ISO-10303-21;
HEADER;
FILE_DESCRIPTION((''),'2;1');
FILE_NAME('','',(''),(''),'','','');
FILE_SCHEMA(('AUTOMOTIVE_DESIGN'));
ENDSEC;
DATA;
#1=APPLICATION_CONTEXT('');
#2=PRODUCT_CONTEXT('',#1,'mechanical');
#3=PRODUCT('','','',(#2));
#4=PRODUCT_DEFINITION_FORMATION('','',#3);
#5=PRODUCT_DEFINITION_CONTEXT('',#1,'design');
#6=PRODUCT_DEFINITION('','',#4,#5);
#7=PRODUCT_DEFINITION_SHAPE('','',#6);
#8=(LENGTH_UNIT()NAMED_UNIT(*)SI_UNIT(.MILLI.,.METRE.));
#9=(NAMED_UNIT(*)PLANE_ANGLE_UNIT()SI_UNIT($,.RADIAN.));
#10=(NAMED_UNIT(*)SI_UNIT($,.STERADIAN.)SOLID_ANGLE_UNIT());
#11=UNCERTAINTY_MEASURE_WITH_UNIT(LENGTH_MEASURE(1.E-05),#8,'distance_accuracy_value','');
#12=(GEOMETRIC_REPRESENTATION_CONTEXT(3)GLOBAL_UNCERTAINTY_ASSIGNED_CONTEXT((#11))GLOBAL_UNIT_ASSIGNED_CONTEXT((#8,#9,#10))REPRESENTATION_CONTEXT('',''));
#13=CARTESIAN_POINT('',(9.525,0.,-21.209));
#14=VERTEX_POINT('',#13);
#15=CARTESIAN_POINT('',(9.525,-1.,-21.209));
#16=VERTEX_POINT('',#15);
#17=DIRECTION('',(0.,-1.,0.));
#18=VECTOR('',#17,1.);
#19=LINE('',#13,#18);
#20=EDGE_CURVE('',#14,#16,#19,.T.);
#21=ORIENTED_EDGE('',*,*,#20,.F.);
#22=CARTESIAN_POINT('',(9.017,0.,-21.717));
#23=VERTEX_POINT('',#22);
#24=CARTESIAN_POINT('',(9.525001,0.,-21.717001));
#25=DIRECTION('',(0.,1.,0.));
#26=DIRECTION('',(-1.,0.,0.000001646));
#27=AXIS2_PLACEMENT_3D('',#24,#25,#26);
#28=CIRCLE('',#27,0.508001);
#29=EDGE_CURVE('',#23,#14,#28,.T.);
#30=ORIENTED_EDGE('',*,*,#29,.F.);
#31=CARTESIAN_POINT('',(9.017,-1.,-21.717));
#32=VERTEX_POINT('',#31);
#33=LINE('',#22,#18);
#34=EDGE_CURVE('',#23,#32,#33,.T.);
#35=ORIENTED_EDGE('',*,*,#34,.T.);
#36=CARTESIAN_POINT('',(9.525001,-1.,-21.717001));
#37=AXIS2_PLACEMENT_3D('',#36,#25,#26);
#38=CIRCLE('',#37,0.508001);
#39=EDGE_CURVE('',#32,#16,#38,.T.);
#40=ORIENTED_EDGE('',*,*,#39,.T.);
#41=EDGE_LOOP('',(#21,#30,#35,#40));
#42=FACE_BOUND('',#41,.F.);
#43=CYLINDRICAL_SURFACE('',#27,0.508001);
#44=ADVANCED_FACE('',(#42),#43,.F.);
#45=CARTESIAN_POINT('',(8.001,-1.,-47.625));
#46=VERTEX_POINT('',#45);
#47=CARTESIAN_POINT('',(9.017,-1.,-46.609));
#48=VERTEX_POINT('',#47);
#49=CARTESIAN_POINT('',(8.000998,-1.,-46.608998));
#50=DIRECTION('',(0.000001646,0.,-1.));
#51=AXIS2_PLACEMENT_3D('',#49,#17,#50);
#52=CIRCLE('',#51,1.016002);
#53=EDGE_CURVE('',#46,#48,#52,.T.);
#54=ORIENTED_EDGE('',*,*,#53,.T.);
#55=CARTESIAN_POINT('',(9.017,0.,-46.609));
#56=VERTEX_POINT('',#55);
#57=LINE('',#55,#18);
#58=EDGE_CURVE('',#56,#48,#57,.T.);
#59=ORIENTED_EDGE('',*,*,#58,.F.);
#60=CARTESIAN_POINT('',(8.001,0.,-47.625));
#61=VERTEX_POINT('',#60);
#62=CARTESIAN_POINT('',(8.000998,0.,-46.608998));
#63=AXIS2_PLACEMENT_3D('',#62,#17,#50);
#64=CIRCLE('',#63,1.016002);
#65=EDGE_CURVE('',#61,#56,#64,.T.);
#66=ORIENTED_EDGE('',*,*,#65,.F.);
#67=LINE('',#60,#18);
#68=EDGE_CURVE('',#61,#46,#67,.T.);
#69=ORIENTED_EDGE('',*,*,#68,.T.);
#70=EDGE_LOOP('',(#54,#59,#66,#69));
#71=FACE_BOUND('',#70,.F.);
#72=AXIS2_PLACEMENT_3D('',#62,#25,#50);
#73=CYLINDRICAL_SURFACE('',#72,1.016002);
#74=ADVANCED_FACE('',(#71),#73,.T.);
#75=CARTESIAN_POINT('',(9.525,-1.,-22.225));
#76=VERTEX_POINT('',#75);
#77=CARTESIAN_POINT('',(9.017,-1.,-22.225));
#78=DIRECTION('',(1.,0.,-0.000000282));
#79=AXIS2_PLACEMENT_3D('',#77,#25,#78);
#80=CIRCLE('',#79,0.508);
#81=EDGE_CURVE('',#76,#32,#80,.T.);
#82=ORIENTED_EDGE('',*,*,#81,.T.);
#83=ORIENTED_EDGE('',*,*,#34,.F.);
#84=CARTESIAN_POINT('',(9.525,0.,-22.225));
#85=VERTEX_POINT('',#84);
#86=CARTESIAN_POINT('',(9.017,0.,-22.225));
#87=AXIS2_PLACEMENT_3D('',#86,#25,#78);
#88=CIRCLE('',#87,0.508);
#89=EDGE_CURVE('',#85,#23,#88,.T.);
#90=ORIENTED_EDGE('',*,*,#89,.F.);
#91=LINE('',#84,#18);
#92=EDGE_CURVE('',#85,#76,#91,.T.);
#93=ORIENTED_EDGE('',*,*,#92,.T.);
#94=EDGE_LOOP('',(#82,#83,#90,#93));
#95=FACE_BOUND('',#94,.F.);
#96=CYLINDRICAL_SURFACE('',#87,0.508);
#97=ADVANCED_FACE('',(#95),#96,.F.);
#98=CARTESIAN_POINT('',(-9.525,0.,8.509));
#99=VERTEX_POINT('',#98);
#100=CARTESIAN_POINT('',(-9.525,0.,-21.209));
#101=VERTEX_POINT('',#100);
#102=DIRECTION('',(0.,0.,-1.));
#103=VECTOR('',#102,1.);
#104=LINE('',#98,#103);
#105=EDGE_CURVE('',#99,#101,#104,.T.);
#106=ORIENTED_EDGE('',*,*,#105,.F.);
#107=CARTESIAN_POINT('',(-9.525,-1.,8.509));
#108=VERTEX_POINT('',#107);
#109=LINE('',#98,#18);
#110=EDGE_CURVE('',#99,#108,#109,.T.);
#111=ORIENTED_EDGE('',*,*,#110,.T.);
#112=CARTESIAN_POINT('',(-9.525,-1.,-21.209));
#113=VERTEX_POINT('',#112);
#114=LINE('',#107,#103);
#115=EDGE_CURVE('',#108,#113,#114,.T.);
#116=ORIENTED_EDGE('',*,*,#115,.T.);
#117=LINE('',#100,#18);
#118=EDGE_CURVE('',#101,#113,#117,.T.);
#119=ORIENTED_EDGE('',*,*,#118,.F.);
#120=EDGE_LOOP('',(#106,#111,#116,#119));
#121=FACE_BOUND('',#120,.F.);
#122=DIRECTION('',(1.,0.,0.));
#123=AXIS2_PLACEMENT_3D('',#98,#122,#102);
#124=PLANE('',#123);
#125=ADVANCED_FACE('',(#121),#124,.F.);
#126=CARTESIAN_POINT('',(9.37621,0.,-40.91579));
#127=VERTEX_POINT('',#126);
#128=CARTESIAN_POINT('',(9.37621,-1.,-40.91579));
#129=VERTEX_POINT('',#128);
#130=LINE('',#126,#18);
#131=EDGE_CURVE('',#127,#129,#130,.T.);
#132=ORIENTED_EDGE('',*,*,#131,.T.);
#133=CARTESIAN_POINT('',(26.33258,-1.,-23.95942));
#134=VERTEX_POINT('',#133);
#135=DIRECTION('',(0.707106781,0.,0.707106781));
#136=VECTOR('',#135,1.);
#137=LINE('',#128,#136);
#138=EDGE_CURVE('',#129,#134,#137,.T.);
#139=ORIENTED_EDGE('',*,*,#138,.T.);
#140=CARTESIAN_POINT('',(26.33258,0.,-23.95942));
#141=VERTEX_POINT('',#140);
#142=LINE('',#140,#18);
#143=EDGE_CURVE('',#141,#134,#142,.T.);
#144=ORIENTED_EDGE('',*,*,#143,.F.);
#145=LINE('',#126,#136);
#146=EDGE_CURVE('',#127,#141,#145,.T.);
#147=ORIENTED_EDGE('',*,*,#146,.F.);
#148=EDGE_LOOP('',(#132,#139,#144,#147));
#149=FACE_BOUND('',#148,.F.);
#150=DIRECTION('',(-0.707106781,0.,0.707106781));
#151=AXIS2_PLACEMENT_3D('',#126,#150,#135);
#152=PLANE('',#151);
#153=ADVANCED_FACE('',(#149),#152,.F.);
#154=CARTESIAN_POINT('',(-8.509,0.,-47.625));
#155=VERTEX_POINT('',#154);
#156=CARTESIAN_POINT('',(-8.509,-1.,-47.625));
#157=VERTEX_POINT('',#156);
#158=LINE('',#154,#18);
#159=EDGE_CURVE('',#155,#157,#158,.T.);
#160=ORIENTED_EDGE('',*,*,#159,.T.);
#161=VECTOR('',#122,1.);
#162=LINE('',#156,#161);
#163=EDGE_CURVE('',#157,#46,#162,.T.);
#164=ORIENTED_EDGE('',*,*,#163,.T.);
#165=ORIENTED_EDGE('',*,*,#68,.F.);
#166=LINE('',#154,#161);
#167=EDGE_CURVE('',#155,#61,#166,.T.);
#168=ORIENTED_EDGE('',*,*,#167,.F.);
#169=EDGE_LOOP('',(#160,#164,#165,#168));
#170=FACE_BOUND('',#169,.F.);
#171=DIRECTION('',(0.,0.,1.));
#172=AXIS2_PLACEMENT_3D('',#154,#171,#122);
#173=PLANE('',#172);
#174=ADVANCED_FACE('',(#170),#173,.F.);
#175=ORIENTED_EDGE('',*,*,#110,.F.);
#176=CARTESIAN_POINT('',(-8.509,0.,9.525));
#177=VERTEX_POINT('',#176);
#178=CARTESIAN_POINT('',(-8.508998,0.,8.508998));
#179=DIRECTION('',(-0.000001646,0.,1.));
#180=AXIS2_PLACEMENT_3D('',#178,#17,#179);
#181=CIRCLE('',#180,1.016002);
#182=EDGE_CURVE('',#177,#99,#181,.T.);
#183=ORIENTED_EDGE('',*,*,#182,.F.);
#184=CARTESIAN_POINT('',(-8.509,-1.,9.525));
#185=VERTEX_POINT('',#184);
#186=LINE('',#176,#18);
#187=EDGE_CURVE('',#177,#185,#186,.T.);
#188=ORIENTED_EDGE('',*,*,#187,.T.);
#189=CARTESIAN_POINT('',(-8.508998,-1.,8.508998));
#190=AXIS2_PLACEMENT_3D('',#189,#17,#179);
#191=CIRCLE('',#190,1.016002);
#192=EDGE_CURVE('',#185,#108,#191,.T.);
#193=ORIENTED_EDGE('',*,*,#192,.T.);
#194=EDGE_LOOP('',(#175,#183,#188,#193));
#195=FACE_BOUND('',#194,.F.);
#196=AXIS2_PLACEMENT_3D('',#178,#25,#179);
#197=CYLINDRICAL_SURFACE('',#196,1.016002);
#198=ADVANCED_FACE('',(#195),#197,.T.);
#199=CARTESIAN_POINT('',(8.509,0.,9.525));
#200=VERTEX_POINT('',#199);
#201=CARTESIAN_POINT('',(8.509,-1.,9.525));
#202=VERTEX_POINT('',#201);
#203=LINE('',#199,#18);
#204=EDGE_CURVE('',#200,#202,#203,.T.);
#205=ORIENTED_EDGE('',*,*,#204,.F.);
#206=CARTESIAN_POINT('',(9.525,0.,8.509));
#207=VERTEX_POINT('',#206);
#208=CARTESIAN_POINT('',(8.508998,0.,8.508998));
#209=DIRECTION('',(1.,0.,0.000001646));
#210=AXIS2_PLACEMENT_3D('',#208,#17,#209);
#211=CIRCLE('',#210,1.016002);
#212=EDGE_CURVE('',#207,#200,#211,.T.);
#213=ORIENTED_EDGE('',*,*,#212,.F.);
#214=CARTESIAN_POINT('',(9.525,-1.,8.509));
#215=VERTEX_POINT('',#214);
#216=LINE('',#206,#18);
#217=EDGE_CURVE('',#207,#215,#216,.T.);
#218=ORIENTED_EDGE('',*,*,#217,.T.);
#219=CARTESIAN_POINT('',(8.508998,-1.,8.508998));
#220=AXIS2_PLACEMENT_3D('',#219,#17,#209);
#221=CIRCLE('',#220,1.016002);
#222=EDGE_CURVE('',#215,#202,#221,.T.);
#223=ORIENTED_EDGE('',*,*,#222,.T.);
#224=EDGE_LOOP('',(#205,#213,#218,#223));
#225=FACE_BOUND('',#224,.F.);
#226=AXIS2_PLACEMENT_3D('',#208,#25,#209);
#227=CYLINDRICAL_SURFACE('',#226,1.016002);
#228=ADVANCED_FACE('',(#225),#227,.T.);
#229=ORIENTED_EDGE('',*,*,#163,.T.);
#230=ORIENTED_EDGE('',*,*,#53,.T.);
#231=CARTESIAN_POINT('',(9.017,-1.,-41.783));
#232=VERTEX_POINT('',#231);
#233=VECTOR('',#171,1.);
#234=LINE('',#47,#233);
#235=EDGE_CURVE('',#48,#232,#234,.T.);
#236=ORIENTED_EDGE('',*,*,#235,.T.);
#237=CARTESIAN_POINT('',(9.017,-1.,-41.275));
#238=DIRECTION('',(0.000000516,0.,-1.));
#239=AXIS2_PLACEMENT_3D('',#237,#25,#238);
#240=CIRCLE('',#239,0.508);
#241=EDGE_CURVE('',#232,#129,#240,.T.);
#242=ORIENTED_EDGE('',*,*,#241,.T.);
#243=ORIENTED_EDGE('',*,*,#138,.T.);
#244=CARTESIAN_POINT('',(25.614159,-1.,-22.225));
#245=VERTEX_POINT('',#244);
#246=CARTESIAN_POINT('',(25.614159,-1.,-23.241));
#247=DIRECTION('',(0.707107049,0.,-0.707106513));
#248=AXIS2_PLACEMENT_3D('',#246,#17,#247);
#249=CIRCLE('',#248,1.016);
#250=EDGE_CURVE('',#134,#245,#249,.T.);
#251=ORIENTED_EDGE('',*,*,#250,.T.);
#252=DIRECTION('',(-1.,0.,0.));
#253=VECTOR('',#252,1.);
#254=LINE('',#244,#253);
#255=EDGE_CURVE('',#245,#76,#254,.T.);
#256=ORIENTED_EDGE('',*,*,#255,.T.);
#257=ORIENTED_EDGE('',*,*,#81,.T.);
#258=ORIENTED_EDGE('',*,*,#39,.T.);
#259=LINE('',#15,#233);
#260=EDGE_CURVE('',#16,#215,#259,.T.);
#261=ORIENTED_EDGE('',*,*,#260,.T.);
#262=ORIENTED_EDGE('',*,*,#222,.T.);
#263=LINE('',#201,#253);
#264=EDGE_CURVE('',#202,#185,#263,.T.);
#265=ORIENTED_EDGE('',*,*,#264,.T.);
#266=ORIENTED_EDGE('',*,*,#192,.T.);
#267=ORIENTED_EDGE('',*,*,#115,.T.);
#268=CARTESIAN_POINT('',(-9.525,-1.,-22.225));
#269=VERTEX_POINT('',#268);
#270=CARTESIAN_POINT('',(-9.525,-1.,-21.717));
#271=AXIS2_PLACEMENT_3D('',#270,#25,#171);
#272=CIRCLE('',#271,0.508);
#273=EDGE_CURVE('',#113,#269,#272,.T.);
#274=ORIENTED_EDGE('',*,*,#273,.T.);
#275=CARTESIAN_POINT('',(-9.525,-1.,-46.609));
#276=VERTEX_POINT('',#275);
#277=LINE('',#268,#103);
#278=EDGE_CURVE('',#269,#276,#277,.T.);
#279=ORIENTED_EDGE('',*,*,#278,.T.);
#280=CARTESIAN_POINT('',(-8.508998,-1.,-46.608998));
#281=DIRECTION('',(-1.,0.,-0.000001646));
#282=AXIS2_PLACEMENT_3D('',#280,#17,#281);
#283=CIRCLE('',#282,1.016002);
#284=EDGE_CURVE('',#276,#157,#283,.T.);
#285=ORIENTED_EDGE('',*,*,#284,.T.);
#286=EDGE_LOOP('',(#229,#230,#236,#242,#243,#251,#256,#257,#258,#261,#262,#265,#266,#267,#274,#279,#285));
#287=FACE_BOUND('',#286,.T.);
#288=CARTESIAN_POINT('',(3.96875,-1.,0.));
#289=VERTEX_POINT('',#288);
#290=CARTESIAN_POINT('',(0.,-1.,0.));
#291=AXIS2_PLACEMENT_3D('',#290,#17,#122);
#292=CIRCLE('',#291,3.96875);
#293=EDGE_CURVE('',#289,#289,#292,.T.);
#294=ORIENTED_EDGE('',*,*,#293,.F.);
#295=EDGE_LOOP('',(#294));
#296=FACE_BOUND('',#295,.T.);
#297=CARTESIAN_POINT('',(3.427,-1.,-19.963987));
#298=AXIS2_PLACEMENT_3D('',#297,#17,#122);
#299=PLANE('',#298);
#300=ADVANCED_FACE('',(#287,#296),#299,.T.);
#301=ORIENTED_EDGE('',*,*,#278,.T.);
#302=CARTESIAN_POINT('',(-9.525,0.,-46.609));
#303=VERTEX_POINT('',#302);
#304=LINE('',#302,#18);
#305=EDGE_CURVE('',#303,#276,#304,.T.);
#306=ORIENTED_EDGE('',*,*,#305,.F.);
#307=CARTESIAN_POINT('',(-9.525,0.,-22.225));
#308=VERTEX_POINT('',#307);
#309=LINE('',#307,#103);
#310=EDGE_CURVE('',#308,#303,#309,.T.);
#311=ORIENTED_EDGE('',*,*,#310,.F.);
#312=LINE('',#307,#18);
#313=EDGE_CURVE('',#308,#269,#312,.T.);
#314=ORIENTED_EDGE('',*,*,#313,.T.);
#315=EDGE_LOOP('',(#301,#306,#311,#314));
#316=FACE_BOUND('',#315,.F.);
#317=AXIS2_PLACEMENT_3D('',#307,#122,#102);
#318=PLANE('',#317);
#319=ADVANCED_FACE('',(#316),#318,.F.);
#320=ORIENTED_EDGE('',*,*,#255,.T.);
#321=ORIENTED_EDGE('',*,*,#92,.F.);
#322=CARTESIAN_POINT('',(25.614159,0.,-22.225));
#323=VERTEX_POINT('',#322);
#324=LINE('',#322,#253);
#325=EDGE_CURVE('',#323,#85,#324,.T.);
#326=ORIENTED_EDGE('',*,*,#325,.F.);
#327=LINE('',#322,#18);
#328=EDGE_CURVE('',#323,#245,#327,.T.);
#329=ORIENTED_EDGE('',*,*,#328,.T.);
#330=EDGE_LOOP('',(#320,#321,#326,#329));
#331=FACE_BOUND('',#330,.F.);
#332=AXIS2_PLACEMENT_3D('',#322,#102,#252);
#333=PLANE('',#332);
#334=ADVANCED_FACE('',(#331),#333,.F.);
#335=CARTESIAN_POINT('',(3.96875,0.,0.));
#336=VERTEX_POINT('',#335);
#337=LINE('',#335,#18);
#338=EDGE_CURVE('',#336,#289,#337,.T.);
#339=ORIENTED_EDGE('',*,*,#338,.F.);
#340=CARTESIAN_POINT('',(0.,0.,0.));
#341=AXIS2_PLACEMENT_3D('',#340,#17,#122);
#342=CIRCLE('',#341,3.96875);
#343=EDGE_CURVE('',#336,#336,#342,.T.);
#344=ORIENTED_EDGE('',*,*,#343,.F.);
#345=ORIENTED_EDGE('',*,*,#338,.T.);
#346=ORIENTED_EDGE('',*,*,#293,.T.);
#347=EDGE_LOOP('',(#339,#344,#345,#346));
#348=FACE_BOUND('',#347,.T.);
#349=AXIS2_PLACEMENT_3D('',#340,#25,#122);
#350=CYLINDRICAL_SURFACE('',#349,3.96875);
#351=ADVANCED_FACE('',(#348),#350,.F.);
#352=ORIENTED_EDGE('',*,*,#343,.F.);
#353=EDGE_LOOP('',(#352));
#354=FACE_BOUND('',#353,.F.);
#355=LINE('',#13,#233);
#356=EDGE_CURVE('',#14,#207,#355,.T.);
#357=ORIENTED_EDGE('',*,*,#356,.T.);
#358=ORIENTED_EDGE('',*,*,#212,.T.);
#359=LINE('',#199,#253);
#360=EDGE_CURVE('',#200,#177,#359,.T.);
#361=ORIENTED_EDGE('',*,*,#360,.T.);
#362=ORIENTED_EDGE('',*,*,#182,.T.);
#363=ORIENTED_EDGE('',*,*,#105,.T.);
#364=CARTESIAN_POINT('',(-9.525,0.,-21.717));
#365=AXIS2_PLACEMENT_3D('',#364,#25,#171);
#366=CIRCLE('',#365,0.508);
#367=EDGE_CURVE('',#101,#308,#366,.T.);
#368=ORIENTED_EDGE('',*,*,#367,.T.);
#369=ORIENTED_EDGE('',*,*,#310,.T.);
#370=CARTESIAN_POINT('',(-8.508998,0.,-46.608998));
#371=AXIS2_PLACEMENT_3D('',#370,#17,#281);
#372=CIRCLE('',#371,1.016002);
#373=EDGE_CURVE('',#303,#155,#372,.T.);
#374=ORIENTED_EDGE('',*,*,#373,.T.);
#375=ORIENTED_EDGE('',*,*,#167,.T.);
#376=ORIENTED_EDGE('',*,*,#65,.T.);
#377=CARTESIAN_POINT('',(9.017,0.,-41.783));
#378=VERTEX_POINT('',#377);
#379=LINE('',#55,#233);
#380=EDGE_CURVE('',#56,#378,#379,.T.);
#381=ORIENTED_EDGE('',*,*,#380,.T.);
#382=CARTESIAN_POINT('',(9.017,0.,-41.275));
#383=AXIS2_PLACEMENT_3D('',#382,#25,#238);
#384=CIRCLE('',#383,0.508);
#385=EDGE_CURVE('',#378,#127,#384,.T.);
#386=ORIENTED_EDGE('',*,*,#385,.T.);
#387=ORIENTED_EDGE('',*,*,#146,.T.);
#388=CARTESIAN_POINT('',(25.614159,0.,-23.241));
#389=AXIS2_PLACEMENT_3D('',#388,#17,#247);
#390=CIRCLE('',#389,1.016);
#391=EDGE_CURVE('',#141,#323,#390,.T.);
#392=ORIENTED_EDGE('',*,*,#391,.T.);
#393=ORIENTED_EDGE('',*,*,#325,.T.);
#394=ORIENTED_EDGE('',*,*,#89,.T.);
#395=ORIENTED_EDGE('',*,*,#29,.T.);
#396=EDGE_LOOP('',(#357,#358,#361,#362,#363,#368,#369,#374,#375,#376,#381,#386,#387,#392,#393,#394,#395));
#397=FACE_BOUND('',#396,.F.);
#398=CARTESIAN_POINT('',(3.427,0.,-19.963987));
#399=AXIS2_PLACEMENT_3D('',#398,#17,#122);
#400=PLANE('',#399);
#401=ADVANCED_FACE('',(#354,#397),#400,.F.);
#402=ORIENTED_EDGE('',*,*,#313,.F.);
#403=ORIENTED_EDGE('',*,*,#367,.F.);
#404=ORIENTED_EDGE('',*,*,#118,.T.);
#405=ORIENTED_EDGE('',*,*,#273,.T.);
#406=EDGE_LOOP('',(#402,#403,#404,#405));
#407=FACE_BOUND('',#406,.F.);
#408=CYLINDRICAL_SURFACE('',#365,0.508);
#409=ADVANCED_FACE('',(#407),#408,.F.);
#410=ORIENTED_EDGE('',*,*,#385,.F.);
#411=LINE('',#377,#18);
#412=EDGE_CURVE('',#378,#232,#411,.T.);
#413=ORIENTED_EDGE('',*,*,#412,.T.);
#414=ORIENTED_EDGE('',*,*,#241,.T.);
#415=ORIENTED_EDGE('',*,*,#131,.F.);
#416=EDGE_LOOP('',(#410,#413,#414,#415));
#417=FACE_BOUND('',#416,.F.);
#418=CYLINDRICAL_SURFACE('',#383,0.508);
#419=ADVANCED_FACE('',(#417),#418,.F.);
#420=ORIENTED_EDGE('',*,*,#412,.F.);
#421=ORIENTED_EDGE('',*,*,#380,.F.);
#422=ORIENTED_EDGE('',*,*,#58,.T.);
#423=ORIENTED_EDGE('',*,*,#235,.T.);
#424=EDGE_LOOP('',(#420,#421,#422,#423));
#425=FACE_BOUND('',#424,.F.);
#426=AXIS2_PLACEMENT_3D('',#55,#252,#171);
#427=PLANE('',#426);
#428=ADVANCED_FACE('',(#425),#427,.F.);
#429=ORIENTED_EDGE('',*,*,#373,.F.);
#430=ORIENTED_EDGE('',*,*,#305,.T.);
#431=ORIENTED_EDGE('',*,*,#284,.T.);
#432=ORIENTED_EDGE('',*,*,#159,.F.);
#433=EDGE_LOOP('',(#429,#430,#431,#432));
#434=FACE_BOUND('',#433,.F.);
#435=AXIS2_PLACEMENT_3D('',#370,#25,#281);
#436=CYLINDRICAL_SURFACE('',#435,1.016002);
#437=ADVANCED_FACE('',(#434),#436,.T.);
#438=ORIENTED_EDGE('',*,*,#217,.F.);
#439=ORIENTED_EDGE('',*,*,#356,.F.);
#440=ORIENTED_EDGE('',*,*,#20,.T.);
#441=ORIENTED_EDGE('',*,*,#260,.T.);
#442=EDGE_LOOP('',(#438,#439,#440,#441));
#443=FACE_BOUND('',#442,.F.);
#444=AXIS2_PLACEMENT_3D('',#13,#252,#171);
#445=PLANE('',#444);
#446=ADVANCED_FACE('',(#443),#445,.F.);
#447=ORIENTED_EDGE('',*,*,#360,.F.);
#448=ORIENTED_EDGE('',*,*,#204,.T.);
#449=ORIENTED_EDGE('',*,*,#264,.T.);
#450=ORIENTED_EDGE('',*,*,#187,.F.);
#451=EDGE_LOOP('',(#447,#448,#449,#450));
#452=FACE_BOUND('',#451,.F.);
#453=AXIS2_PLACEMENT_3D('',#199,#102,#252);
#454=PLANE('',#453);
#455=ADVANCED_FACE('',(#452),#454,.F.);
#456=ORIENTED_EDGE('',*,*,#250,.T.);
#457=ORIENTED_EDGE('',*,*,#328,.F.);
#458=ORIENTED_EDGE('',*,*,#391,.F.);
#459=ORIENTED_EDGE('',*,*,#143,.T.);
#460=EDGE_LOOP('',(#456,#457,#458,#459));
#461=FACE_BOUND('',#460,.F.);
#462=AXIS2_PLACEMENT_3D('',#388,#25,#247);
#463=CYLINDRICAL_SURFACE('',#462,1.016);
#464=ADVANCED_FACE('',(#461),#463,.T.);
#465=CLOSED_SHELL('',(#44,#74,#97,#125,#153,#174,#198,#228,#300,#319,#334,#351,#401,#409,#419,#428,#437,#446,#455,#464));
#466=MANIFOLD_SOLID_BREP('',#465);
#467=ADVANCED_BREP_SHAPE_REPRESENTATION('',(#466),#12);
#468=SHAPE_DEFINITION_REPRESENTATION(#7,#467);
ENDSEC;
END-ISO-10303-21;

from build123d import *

# Parameters (mm, degrees)
F0_R     = 3.96875
F1_DEPTH = 1


with BuildPart() as f1:
    # F0 (on Front) → F1 (new body)
    with BuildSketch(Plane.XZ):
        with BuildLine():
            Line((8.509, 9.525), (0, 9.525))
            Line((0, 9.525), (-8.509, 9.525))
            ThreePointArc((-8.509, 9.525), (-9.22742, 9.22742), (-9.525, 8.509))
            Line((-9.525, 8.509), (-9.525, -21.209))
            ThreePointArc((-9.525, -21.209), (-9.017, -21.717), (-9.525, -22.225))
            Line((-9.525, -22.225), (-9.525, -46.609))
            ThreePointArc((-9.525, -46.609), (-9.22742, -47.32742), (-8.509, -47.625))
            Line((-8.509, -47.625), (0, -47.625))
            Line((0, -47.625), (8.001, -47.625))
            ThreePointArc((8.001, -47.625), (8.71942, -47.32742), (9.017, -46.609))
            Line((9.017, -46.609), (9.017, -41.783))
            ThreePointArc((9.017, -41.783), (8.547669, -41.080597), (9.37621, -40.91579))
            Line((9.37621, -40.91579), (26.33258, -23.95942))
            ThreePointArc((26.33258, -23.95942), (26.552821, -22.852194), (25.614159, -22.225))
            Line((25.614159, -22.225), (9.525, -22.225))
            ThreePointArc((9.525, -22.225), (8.65779, -22.58421), (9.017, -21.717))
            ThreePointArc((9.017, -21.717), (9.16579, -21.35779), (9.525, -21.209))
            Line((9.525, -21.209), (9.525, 8.509))
            ThreePointArc((9.525, 8.509), (9.22742, 9.22742), (8.509, 9.525))
        make_face()
        Circle(F0_R, mode=Mode.SUBTRACT)
    extrude(amount=F1_DEPTH)


solid = f1.part
